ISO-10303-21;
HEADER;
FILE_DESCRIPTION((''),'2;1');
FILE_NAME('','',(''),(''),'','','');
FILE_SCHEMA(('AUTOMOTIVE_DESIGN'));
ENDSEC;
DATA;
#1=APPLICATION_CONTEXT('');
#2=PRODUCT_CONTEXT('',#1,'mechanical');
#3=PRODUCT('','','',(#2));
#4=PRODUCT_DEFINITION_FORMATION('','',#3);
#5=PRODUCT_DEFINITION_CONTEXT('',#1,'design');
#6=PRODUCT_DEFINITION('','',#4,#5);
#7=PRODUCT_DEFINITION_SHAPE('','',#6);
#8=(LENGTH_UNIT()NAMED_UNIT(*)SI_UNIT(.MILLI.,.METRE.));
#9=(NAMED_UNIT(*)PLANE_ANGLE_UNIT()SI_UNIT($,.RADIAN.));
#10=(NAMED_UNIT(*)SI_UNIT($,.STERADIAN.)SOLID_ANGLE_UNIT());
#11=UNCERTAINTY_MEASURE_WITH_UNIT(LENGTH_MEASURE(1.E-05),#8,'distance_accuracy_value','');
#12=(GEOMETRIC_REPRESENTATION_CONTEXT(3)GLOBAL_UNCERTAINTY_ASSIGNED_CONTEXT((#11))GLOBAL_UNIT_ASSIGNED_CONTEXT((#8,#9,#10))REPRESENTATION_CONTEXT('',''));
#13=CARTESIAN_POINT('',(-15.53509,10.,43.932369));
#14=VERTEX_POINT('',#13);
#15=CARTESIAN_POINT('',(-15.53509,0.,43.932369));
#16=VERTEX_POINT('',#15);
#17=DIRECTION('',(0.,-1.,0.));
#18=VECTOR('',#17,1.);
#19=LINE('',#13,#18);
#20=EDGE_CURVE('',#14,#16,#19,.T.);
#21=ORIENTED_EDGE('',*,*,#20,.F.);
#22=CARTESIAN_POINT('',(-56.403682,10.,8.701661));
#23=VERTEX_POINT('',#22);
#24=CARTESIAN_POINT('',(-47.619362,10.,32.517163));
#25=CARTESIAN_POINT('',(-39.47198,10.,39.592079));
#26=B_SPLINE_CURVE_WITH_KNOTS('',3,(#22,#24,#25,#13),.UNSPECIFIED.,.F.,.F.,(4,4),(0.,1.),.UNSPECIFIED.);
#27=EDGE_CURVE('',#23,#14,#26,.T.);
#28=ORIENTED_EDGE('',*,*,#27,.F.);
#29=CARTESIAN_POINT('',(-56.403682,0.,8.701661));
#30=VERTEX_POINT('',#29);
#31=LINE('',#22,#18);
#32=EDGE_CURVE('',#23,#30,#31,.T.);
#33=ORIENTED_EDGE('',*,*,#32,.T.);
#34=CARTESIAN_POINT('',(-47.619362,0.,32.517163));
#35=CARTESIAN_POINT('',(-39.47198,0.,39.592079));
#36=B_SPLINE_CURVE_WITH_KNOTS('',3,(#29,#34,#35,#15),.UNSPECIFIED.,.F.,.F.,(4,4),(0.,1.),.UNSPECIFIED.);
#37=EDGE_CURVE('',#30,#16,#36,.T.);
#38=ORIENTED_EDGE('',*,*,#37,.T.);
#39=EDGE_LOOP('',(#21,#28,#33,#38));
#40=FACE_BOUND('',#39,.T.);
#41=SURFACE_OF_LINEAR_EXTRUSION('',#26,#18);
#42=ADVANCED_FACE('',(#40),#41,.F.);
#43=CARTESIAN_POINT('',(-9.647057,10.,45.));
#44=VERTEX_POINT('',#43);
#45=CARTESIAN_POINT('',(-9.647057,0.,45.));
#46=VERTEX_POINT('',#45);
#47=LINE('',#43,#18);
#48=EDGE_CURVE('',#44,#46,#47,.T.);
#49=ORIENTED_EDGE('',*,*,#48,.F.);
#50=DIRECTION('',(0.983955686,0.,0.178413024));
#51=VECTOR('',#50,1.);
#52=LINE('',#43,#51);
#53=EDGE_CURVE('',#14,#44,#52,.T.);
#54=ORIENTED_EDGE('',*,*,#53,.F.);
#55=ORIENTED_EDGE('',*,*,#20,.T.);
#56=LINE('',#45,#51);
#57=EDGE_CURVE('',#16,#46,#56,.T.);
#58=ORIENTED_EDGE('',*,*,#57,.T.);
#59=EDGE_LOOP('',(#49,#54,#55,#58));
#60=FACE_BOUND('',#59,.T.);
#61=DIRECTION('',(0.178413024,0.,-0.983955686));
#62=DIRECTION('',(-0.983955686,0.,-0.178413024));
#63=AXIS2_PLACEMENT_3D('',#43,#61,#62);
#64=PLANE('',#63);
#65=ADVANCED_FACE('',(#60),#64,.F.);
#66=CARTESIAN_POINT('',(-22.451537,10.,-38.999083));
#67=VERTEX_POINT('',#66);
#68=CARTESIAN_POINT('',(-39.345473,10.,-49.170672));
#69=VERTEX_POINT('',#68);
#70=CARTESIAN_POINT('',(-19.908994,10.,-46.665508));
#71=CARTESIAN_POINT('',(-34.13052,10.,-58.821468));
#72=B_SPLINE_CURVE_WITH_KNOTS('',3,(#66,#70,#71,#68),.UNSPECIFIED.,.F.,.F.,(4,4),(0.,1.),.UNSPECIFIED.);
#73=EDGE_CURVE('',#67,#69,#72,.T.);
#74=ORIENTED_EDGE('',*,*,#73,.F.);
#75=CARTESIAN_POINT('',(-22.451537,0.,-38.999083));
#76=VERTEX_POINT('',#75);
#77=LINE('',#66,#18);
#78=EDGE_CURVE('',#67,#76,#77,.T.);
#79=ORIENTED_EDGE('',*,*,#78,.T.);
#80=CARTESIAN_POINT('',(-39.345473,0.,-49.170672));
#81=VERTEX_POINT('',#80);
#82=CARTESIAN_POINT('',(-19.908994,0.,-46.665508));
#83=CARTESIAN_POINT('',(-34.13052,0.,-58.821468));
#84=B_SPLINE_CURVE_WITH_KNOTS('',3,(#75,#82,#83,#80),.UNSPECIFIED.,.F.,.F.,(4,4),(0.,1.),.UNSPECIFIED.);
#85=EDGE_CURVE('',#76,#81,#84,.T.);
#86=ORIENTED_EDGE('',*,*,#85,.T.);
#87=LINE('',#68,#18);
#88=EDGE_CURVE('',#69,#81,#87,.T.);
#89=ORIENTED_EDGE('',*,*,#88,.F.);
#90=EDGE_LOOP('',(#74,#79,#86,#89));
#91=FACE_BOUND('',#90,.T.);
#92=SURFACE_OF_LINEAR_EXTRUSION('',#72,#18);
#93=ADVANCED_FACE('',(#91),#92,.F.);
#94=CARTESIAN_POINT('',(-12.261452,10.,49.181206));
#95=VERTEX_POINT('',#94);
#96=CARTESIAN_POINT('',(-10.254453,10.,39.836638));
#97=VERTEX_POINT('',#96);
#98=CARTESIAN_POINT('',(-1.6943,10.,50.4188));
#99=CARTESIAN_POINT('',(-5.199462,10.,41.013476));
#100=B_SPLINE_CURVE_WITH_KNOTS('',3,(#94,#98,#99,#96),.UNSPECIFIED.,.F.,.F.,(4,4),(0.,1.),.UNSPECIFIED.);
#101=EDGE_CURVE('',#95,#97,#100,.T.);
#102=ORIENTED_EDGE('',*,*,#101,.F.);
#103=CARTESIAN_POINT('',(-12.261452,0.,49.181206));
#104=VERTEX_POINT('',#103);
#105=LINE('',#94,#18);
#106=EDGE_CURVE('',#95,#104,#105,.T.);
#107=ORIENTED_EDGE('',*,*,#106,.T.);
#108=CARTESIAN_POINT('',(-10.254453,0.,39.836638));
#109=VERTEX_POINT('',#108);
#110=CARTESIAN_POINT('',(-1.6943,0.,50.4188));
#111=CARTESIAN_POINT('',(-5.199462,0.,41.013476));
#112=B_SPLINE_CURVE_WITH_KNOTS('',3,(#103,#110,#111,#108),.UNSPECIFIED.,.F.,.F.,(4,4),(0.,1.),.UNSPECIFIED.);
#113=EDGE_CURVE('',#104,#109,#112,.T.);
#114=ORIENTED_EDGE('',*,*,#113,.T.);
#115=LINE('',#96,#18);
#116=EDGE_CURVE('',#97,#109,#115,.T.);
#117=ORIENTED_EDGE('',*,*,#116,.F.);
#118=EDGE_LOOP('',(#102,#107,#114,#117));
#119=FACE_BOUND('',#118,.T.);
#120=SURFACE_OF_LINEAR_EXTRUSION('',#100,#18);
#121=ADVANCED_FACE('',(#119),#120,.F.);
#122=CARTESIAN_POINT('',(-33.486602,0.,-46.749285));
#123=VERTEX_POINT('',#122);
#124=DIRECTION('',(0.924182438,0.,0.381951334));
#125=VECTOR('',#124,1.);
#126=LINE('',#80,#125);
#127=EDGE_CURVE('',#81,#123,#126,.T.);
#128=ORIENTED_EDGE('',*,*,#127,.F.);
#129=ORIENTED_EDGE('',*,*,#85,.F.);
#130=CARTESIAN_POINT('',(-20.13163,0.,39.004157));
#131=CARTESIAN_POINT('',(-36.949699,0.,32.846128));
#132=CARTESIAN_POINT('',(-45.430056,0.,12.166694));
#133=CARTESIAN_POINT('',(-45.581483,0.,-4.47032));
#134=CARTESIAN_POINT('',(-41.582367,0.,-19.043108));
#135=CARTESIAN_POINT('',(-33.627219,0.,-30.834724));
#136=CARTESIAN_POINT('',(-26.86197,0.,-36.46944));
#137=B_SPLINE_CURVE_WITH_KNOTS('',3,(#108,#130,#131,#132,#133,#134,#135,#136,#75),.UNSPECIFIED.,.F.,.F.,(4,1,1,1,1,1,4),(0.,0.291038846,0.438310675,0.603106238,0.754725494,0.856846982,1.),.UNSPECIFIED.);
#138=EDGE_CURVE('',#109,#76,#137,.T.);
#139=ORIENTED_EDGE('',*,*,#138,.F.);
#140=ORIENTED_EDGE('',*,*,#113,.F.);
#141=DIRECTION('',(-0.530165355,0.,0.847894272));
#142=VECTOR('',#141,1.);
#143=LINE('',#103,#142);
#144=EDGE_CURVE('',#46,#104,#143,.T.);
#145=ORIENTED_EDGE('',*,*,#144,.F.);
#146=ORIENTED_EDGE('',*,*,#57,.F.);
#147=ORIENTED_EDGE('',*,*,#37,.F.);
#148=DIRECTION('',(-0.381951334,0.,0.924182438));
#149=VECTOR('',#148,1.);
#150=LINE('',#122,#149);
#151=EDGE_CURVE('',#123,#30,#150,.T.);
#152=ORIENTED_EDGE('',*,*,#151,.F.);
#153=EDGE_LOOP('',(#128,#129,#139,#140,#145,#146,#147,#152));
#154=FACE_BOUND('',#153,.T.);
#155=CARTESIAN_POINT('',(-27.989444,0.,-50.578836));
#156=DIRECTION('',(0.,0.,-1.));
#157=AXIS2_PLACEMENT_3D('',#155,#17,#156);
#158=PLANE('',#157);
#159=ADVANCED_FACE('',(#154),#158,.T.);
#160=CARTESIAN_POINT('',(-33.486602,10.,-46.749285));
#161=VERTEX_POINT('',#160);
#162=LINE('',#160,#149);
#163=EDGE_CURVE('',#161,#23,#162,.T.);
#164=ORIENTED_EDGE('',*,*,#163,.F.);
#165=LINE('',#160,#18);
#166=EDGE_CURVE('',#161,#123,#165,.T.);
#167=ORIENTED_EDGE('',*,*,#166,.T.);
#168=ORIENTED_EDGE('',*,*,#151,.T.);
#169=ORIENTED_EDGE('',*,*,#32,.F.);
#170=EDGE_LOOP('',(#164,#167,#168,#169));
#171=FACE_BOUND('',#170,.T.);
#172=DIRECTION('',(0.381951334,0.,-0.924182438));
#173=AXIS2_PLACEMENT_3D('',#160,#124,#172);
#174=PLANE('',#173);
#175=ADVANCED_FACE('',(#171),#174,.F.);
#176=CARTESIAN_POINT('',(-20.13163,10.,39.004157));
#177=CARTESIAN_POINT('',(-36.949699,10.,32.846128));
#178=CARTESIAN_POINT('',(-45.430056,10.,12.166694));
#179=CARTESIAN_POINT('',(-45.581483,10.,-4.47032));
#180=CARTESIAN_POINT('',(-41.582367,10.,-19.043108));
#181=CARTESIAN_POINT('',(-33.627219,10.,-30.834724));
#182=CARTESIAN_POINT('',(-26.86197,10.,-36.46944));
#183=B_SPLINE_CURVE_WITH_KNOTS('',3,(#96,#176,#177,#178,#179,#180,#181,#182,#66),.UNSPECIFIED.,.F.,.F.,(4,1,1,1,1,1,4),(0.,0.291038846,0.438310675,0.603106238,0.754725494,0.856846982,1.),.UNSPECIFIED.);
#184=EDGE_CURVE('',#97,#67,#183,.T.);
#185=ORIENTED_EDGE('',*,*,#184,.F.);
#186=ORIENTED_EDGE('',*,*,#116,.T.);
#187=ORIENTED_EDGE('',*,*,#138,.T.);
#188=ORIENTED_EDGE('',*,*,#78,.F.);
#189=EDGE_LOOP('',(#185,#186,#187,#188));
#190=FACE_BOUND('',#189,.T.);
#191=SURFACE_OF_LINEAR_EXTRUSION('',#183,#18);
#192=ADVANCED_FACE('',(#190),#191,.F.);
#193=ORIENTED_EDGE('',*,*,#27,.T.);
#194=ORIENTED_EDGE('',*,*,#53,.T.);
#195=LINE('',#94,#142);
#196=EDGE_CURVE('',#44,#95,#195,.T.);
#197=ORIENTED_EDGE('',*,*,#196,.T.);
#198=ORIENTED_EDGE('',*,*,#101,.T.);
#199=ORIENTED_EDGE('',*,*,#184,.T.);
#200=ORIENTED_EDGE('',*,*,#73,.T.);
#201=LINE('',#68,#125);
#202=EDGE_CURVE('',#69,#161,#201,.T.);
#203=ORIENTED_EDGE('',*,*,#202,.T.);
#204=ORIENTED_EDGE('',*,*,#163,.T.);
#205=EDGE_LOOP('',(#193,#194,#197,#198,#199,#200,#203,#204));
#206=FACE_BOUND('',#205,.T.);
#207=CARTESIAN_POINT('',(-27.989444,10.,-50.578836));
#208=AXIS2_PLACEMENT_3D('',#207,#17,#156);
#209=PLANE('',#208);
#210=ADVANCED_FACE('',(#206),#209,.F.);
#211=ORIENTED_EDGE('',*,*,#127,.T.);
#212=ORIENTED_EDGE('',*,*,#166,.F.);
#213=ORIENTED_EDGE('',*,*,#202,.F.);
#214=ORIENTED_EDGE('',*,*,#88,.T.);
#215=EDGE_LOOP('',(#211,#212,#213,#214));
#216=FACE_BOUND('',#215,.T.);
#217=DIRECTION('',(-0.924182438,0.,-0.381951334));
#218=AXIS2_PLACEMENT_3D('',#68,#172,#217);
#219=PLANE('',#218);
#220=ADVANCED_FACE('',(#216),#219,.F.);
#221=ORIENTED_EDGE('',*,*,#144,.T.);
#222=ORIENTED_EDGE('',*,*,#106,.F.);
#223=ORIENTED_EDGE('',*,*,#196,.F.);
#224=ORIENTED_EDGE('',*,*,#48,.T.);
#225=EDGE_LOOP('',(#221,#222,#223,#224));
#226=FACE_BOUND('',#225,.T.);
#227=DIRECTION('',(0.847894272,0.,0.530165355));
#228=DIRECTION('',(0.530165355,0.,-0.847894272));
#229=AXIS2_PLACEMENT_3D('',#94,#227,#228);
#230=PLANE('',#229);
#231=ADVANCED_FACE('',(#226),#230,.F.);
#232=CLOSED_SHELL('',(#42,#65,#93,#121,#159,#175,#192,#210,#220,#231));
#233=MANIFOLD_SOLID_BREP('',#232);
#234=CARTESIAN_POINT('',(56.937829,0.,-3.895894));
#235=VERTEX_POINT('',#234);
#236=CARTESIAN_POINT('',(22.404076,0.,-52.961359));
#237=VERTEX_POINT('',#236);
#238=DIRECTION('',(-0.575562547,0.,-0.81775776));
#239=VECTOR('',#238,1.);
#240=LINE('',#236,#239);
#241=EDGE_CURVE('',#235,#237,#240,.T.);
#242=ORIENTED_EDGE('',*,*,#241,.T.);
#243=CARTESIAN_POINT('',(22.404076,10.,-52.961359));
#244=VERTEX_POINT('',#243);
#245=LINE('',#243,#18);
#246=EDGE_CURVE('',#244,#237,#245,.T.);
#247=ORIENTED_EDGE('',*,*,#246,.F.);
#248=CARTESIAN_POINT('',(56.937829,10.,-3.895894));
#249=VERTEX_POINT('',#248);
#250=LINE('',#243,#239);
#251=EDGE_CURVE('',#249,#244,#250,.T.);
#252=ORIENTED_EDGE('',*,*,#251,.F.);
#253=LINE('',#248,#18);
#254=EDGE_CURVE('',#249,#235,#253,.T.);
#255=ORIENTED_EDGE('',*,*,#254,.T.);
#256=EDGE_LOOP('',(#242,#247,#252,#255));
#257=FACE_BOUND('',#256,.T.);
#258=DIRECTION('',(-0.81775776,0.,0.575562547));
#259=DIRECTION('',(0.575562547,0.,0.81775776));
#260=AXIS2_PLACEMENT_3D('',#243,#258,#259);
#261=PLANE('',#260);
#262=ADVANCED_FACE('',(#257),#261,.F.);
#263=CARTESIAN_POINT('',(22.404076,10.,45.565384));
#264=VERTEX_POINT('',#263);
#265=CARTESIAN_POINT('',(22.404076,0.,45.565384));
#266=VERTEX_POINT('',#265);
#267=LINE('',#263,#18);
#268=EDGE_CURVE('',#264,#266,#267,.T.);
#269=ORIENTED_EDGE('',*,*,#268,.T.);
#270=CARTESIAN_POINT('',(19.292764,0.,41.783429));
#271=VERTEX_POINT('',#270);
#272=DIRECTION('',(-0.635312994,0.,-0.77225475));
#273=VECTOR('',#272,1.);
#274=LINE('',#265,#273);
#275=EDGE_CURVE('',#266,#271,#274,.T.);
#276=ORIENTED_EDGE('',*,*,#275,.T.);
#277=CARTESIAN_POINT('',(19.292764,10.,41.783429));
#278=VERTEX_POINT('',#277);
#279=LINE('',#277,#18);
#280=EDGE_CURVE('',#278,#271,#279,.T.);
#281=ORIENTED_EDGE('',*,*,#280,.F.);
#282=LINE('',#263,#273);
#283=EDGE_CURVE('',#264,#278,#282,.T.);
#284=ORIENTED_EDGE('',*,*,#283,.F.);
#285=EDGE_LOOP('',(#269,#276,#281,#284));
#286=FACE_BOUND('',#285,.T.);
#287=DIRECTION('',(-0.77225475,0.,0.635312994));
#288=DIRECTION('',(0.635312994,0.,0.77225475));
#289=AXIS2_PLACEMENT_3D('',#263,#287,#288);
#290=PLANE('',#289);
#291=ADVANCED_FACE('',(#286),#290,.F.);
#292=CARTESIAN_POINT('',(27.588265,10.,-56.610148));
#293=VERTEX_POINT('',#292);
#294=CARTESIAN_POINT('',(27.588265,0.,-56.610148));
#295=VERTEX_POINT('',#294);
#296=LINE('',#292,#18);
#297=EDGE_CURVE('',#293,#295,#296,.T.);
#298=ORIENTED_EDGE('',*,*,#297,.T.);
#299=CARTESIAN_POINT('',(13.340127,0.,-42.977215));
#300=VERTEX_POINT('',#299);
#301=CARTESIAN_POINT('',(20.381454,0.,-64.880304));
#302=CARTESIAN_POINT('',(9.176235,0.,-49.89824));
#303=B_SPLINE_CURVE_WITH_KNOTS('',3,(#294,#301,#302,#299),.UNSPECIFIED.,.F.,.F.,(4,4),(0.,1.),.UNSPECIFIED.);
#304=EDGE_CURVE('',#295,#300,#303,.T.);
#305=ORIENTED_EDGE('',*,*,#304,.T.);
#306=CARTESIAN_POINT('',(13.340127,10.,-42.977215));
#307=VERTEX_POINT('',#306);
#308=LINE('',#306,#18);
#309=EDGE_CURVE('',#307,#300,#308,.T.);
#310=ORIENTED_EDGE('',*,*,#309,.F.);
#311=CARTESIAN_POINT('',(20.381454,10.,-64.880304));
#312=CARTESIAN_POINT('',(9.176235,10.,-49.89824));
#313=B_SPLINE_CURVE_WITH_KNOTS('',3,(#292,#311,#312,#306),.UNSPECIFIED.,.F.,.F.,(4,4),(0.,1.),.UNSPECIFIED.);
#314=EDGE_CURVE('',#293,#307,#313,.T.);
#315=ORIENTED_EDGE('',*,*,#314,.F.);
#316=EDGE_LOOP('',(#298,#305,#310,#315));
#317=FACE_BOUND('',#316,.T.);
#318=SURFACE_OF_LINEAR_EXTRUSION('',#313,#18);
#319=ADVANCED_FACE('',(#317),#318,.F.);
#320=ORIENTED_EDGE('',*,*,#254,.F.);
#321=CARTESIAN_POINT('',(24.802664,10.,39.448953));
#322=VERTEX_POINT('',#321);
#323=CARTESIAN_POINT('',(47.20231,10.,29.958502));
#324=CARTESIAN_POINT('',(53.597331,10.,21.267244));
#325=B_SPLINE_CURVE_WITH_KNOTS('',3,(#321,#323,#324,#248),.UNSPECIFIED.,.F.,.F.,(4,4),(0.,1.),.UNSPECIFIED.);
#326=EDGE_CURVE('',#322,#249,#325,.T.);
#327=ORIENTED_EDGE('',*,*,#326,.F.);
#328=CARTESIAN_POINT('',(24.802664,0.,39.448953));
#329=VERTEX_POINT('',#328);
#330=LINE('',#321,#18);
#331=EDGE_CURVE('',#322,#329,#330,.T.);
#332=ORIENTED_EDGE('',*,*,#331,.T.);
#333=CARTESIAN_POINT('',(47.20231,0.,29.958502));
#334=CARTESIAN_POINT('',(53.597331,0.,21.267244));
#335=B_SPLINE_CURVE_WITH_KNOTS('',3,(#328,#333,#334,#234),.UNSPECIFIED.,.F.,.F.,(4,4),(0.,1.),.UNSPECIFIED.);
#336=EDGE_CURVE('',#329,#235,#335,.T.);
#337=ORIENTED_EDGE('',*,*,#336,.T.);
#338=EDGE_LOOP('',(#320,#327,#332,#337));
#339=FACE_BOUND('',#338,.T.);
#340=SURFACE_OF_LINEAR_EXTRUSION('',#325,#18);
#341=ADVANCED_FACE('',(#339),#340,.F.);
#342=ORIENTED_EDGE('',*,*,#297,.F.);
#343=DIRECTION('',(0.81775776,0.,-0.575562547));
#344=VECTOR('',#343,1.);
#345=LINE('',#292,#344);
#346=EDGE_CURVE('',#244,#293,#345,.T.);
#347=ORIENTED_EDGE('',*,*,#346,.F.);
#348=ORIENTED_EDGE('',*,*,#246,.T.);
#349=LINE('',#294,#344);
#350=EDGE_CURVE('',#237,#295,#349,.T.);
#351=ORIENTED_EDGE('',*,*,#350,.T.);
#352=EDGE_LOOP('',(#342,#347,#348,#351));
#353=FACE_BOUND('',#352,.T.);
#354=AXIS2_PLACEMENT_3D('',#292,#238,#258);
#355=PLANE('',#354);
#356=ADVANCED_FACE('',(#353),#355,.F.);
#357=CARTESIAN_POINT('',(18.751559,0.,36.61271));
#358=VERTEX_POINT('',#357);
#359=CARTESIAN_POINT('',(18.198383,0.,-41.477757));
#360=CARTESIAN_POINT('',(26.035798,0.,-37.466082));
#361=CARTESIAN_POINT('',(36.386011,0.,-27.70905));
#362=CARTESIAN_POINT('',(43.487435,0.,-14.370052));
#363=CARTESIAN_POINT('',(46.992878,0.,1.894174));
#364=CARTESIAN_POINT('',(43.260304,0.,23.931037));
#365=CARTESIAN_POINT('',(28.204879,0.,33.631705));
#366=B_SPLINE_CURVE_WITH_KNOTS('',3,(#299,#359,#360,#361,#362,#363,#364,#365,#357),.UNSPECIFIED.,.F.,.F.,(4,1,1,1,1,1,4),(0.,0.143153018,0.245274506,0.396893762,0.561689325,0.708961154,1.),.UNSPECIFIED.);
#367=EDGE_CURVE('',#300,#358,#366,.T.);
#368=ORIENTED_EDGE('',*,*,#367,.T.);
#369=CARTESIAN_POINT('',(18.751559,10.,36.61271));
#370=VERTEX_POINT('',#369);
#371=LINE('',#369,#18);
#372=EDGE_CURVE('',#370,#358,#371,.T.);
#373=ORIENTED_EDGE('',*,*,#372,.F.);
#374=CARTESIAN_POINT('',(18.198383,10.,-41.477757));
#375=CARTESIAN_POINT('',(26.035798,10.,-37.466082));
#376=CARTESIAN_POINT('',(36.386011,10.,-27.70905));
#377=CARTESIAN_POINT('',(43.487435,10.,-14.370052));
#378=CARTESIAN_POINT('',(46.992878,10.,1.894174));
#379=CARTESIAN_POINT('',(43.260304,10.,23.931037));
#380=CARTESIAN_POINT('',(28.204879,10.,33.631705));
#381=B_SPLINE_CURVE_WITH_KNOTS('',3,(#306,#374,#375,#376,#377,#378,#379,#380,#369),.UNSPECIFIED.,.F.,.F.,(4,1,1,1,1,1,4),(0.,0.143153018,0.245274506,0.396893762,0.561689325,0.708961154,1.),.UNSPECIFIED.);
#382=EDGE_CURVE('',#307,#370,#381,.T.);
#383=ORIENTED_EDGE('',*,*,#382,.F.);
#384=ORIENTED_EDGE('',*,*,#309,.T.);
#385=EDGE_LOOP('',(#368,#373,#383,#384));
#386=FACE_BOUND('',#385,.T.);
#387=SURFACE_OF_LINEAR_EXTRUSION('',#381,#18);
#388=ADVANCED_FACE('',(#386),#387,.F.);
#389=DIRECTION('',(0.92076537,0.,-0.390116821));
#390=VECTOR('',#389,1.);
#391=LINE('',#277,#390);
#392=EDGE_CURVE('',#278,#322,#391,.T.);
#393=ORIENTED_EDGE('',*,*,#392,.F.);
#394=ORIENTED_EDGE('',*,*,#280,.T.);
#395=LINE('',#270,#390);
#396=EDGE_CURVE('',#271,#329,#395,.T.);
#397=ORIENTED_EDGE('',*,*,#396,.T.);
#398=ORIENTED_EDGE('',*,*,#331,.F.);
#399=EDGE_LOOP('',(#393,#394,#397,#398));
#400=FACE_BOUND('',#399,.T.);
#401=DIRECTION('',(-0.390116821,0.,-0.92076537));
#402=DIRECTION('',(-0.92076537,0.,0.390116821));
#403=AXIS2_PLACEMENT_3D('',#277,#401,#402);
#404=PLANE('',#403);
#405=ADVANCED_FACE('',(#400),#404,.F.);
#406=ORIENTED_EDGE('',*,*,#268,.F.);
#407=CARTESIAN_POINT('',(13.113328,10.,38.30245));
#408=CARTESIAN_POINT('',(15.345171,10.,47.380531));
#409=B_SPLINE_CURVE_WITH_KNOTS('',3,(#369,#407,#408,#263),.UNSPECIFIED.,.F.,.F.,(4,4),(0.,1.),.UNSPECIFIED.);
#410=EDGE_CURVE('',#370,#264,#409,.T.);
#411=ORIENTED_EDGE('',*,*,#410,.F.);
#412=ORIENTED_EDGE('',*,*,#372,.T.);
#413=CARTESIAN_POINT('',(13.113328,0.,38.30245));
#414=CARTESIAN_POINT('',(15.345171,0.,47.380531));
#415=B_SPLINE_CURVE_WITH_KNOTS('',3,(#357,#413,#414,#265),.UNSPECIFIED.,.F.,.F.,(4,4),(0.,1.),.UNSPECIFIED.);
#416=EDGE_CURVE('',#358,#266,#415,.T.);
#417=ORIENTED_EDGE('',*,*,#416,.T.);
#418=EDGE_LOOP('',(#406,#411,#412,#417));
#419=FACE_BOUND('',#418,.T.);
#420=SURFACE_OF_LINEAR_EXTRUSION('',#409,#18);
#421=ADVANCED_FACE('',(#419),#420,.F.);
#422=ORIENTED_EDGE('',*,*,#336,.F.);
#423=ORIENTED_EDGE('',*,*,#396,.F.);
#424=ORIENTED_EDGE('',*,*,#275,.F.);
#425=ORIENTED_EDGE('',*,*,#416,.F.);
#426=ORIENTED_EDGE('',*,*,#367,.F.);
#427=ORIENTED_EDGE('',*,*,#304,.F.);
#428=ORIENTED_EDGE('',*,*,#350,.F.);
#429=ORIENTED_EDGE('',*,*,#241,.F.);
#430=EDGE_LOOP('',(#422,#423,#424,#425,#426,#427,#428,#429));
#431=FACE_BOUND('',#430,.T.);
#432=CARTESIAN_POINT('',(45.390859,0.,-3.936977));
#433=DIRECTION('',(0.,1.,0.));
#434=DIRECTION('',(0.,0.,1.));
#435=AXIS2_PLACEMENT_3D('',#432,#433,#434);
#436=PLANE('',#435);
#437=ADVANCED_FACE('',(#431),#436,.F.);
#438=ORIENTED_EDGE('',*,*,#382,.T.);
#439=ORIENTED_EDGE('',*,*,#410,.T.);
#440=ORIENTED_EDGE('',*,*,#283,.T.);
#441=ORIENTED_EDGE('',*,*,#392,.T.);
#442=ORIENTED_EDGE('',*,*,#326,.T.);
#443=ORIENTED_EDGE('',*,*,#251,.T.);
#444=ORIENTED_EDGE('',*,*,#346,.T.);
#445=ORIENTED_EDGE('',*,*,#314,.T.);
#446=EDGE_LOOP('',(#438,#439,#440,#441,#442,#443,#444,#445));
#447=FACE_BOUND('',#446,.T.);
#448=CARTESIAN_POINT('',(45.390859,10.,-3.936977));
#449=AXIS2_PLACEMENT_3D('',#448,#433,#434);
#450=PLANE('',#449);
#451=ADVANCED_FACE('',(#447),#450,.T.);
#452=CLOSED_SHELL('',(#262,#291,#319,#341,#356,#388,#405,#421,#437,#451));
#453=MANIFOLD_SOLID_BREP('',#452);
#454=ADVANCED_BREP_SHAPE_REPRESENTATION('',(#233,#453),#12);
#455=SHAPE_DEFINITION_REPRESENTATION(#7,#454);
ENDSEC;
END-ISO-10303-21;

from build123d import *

# Parameters (mm, degrees)
BOSS_EXTRUDE1_DEPTH   = 10
BOSS_EXTRUDE1_2_DEPTH = 10


with BuildPart() as part:
    # Sketch1 → Boss-Extrude1 (new body)
    with BuildSketch(Plane(origin=(0, 0, 0), x_dir=(1, 0, 0), z_dir=(0, 1, 0))):
        with BuildLine():
            Line((-33.486602419, 46.749285127), (-56.403682484, -8.701661135))
            add(Edge.make_bspline(
                [(-56.403682484, -8.701661135), (-47.619362092, -32.517163226), (-39.471979778, -39.592078969), (-15.535090126, -43.932368814)],
                knots=[0, 0, 0, 0, 1, 1, 1, 1], degree=3))
            Line((-15.535090126, -43.932368814), (-9.647057112, -45))
            Line((-9.647057112, -45), (-12.261451972, -49.18120574))
            add(Edge.make_bspline(
                [(-10.254452676, -39.83663767), (-5.199461627, -41.013476487), (-1.694300478, -50.418800059), (-12.261451972, -49.18120574)],
                knots=[0, 0, 0, 0, 1, 1, 1, 1], degree=3))
            add(Edge.make_bspline(
                [(-22.451536716, 38.999083311), (-26.86197021, 36.469439855), (-33.627219214, 30.834724001), (-41.582367215, 19.043107829), (-45.581483474, 4.470319547), (-45.430056142, -12.166693994), (-36.949699035, -32.846128329), (-20.131629562, -39.004157196), (-10.254452676, -39.83663767)],
                knots=[0, 0, 0, 0, 0.143153018, 0.245274506, 0.396893762, 0.561689325, 0.708961154, 1, 1, 1, 1], degree=3))
            add(Edge.make_bspline(
                [(-22.451536716, 38.999083311), (-19.908993881, 46.665508044), (-34.13051951, 58.821468348), (-39.345472777, 49.170672138)],
                knots=[0, 0, 0, 0, 1, 1, 1, 1], degree=3))
            Line((-39.345472777, 49.170672138), (-33.486602419, 46.749285127))
        make_face()
    extrude(amount=BOSS_EXTRUDE1_DEPTH)


with BuildPart() as body_2:
    # Sketch1 → Boss-Extrude1 2 (new body)
    with BuildSketch(Plane(origin=(0, 0, 0), x_dir=(1, 0, 0), z_dir=(0, 1, 0))):
        with BuildLine():
            Line((19.292764236, -41.78342924), (24.802663686, -39.448953457))
            add(Edge.make_bspline(
                [(56.937828511, 3.895893832), (53.59733097, -21.267243905), (47.202309681, -29.95850239), (24.802663686, -39.448953457)],
                knots=[0, 0, 0, 0, 1, 1, 1, 1], degree=3))
            Line((56.937828511, 3.895893832), (22.404075684, 52.961359444))
            Line((22.404075684, 52.961359444), (27.58826498, 56.610148048))
            add(Edge.make_bspline(
                [(13.340127184, 42.977214972), (9.176234824, 49.898240378), (20.381453857, 64.88030394), (27.58826498, 56.610148048)],
                knots=[0, 0, 0, 0, 1, 1, 1, 1], degree=3))
            add(Edge.make_bspline(
                [(13.340127184, 42.977214972), (18.198382679, 41.47775735), (26.035797936, 37.466082022), (36.386010934, 27.709049555), (43.487435054, 14.370051668), (46.992877656, -1.89417355), (43.260303643, -23.931037037), (28.204878822, -33.63170525), (18.751558917, -36.612710071)],
                knots=[0, 0, 0, 0, 0.143153018, 0.245274506, 0.396893762, 0.561689325, 0.708961154, 1, 1, 1, 1], degree=3))
            add(Edge.make_bspline(
                [(18.751558917, -36.612710071), (13.113327903, -38.302450089), (15.345170537, -47.380531105), (22.404075684, -45.565384067)],
                knots=[0, 0, 0, 0, 1, 1, 1, 1], degree=3))
            Line((22.404075684, -45.565384067), (19.292764236, -41.78342924))
        make_face()
    extrude(amount=BOSS_EXTRUDE1_2_DEPTH)


solid = Compound([part.part, body_2.part])
